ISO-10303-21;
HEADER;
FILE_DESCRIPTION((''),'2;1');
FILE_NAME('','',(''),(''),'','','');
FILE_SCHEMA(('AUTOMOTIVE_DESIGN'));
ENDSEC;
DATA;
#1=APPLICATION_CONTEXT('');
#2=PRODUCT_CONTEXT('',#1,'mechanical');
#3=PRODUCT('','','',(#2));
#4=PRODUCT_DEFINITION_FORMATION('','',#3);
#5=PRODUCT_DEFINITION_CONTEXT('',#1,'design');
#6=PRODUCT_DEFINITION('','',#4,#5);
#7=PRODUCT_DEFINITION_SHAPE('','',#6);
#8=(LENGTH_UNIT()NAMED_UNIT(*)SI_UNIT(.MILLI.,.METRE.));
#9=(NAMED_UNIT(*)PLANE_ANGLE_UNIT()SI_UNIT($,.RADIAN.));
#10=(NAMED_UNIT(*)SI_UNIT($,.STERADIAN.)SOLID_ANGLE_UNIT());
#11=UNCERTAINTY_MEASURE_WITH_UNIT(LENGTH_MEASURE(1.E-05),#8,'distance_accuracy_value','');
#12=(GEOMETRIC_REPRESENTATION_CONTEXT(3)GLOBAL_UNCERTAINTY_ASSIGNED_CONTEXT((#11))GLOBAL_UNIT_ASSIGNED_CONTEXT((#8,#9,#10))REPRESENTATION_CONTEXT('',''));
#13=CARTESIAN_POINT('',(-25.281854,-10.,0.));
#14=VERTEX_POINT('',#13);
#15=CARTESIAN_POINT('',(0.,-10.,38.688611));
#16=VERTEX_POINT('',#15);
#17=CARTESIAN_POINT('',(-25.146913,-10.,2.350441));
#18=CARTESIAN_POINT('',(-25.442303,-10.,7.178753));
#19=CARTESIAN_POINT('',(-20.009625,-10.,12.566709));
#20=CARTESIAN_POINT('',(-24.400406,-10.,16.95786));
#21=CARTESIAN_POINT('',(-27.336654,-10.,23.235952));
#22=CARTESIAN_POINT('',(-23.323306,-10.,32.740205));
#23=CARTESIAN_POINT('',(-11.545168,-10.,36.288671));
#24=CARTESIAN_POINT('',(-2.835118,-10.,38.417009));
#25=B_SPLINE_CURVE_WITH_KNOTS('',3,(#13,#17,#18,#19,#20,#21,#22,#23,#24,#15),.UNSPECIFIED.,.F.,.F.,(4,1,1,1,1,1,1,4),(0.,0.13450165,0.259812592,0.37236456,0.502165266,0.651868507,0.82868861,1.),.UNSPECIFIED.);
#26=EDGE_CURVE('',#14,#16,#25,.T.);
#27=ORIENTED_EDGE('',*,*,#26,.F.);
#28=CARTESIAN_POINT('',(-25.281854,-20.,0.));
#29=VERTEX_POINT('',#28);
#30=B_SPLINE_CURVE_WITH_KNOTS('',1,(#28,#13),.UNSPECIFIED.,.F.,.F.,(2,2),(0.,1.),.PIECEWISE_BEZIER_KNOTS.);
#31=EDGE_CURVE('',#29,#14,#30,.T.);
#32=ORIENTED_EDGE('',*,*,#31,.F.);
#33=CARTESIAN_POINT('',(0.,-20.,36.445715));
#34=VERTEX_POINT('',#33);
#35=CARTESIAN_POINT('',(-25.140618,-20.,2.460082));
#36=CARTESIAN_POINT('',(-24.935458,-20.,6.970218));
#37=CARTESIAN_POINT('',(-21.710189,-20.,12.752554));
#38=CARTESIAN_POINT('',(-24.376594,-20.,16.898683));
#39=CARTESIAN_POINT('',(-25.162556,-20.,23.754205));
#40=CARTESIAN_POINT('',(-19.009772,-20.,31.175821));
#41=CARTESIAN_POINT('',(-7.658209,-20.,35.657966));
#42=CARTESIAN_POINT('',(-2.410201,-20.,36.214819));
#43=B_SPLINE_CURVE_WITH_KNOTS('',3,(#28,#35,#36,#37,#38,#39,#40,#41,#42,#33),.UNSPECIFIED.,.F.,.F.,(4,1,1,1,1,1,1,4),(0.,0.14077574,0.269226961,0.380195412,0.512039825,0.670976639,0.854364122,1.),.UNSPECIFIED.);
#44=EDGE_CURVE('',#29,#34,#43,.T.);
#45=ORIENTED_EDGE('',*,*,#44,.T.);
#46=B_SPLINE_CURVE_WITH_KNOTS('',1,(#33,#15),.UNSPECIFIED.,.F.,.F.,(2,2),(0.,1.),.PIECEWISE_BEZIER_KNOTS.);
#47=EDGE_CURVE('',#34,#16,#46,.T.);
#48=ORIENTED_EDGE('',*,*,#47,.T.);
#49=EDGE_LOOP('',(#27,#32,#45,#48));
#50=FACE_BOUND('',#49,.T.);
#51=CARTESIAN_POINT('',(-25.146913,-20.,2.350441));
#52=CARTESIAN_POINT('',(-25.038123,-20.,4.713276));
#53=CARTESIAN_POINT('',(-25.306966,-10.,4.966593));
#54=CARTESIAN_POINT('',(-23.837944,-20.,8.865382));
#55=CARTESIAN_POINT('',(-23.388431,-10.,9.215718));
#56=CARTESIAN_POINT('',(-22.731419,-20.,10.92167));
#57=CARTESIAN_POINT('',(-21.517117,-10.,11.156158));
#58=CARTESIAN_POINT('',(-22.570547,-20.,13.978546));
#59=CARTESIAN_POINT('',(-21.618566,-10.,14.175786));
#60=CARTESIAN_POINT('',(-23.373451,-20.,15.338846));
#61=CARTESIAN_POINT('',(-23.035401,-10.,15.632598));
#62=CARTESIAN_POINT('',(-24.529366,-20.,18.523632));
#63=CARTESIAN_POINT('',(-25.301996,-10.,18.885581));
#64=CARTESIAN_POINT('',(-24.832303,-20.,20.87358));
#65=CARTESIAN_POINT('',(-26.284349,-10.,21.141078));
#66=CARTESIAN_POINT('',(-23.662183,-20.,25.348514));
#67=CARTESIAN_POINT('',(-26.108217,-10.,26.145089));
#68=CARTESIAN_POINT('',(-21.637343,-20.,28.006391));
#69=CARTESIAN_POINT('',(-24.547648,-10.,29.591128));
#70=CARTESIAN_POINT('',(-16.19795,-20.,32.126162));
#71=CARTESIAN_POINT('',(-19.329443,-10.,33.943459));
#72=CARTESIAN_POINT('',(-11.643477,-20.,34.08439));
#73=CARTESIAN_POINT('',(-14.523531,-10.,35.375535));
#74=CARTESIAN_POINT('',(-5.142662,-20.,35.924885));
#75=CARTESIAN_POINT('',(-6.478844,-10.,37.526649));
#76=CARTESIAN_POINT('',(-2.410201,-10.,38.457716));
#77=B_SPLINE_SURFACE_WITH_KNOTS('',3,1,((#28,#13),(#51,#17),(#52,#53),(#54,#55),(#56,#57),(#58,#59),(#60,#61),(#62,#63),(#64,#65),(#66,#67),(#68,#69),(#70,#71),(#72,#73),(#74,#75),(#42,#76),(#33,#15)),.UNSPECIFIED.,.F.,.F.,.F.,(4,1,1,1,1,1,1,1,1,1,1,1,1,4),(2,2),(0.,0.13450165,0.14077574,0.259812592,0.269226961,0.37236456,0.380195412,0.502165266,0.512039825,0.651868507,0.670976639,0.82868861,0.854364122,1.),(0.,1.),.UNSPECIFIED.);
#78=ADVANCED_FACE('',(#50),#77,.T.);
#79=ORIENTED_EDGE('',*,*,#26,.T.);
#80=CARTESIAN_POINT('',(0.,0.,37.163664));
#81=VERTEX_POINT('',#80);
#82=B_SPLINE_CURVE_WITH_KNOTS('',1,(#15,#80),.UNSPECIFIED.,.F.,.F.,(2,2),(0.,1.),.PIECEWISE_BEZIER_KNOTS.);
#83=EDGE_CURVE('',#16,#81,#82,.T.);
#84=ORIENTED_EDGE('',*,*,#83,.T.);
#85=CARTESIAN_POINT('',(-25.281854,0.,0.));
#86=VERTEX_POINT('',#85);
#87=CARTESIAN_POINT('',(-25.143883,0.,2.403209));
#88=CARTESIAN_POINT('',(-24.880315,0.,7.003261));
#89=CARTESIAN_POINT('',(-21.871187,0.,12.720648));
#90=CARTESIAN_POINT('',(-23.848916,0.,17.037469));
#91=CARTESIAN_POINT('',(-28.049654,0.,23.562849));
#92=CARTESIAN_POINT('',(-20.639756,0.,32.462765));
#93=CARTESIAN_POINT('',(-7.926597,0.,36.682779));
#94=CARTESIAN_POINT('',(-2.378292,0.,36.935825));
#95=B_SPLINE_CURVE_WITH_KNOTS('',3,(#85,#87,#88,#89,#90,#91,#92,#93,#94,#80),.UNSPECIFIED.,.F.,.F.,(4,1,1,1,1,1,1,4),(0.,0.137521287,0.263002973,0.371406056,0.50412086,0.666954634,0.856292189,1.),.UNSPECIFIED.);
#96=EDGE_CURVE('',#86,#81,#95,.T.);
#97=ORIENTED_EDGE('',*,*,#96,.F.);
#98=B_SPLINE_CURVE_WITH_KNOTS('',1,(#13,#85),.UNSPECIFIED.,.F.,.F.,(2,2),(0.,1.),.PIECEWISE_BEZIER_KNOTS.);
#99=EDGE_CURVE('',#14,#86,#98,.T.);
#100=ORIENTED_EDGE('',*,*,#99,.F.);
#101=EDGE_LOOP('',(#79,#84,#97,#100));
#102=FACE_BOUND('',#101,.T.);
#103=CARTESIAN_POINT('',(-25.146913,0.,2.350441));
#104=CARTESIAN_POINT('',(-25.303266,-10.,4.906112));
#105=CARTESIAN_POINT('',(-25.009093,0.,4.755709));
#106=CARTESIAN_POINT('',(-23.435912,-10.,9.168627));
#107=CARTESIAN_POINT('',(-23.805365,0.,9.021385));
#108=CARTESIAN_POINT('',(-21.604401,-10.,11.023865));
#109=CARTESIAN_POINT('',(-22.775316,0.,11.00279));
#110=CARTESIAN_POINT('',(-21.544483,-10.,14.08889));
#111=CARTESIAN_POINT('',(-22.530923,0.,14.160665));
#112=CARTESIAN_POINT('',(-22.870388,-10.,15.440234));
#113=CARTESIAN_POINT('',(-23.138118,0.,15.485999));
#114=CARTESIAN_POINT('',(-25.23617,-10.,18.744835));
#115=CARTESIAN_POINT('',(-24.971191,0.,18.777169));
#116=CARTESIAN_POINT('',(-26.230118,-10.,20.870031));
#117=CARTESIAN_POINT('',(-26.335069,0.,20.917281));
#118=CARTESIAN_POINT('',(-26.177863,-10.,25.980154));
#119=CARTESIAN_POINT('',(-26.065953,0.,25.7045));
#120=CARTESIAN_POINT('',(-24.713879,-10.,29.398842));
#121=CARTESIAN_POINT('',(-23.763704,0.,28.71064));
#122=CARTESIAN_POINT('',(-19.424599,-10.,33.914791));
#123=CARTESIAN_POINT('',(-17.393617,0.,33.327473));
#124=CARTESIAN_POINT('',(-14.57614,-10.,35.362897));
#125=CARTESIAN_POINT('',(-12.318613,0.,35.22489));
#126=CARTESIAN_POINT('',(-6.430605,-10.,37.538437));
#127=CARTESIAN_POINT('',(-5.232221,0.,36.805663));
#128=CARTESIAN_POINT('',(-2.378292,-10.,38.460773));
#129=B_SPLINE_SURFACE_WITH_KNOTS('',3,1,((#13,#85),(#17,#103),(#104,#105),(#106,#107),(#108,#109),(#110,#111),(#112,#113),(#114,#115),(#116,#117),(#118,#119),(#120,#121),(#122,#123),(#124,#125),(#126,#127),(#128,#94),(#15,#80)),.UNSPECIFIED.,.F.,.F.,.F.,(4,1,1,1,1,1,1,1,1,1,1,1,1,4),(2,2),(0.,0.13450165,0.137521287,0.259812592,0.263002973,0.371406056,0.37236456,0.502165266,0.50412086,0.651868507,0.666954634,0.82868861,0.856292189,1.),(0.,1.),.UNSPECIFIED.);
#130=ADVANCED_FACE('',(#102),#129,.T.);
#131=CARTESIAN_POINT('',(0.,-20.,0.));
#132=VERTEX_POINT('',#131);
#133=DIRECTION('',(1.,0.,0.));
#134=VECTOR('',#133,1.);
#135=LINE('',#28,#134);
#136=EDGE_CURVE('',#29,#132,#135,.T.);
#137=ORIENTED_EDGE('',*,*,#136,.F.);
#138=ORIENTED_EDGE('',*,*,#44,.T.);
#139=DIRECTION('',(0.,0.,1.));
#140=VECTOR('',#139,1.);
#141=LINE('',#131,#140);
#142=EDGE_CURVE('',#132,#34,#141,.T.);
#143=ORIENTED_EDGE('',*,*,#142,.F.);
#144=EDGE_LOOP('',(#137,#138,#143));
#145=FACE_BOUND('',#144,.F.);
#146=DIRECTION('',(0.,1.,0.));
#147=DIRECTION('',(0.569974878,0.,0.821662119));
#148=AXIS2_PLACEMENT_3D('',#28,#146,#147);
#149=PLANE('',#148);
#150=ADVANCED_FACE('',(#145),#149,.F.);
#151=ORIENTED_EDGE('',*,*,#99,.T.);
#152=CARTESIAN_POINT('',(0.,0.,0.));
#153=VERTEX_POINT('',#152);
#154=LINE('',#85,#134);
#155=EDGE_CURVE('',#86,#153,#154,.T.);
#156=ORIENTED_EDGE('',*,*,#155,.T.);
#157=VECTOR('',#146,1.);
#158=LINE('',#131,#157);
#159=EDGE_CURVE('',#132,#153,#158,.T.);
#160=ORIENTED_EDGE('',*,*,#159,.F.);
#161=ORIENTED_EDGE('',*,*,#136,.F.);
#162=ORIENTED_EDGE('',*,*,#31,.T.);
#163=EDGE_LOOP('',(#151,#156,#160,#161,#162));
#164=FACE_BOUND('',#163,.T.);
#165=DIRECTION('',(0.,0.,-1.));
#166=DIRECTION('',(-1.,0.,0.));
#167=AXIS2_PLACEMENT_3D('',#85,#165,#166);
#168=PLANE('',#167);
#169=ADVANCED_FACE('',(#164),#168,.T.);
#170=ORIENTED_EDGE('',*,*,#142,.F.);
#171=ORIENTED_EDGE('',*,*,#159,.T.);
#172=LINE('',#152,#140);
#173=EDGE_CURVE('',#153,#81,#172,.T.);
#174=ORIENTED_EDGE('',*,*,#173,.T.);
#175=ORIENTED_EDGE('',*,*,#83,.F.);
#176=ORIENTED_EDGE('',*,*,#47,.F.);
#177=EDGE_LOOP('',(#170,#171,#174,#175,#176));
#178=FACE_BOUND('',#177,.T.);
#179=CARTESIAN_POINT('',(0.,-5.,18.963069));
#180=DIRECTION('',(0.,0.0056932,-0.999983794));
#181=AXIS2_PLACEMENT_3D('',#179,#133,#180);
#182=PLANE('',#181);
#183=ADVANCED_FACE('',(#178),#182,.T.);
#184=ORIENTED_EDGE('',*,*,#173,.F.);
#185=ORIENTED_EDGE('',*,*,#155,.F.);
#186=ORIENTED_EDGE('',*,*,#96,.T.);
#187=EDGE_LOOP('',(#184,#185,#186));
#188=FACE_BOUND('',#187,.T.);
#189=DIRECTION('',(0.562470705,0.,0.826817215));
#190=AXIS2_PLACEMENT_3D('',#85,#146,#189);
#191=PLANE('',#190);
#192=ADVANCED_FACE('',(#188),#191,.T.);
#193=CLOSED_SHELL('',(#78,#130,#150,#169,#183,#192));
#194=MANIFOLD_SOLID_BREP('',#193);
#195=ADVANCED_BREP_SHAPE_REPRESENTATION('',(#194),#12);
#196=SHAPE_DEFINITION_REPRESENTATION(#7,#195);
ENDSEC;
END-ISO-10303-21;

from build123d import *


with BuildPart() as f5:
    # F2 (on offset) → F5 section 0
    with BuildSketch(Plane.XZ.offset(20)):
        with BuildLine():
            add(Edge.make_bspline(
                [(-25.2818539739, 0), (-25.1406181794, 2.4600815255), (-24.9354582402, 6.9702181833), (-21.7101885687, 12.7525544185), (-24.3765940763, 16.8986828652), (-25.1625563988, 23.7542045271), (-19.0097721002, 31.1758214073), (-7.6582088117, 35.6579662942), (-2.4102008701, 36.2148191113), (0, 36.4457145333)],
                knots=[0, 0, 0, 0, 0.1407757405, 0.2692269608, 0.3801954122, 0.5120398246, 0.6709766394, 0.8543641223, 1, 1, 1, 1], degree=3))
            Line((-25.2818539739, 0), (0, 0))
            Line((0, 0), (0, 36.4457145333))
        make_face()
    # F3 (on offset) → F5 section 1
    with BuildSketch(Plane.XZ.offset(10)):
        with BuildLine():
            add(Edge.make_bspline(
                [(-25.2818539739, 0), (-25.1469127733, 2.3504406637), (-25.4423033881, 7.1787529376), (-20.0096245128, 12.5667089075), (-24.4004062023, 16.9578604371), (-27.336653566, 23.235951711), (-23.3233061395, 32.7402054418), (-11.5451684252, 36.2886713642), (-2.8351177494, 38.4170091012), (0, 38.6886112392)],
                knots=[0, 0, 0, 0, 0.1345016502, 0.2598125915, 0.37236456, 0.5021652659, 0.6518685072, 0.8286886098, 1, 1, 1, 1], degree=3))
            Line((-25.2818539739, 0), (0, 0))
            Line((0, 0), (0, 38.6886112392))
        make_face()
    loft()

    # F3 (on offset) → F6 section 0
    with BuildSketch(Plane.XZ.offset(10)):
        with BuildLine():
            add(Edge.make_bspline(
                [(-25.2818539739, 0), (-25.1469127733, 2.3504406637), (-25.4423033881, 7.1787529376), (-20.0096245128, 12.5667089075), (-24.4004062023, 16.9578604371), (-27.336653566, 23.235951711), (-23.3233061395, 32.7402054418), (-11.5451684252, 36.2886713642), (-2.8351177494, 38.4170091012), (0, 38.6886112392)],
                knots=[0, 0, 0, 0, 0.1345016502, 0.2598125915, 0.37236456, 0.5021652659, 0.6518685072, 0.8286886098, 1, 1, 1, 1], degree=3))
            Line((-25.2818539739, 0), (0, 0))
            Line((0, 0), (0, 38.6886112392))
        make_face()
    # F4 (on Front) → F6 section 1
    with BuildSketch(Plane.XZ):
        with BuildLine():
            add(Edge.make_bspline(
                [(-25.2818539739, 0), (-25.1438832679, 2.4032093697), (-24.880315206, 7.0032606596), (-21.8711865203, 12.7206484273), (-23.8489163046, 17.0374687027), (-28.049654453, 23.5628487623), (-20.6397564007, 32.4627651506), (-7.9265974812, 36.6827787756), (-2.3782923361, 36.9358250469), (0, 37.1636636555)],
                knots=[0, 0, 0, 0, 0.1375212874, 0.2630029729, 0.371406056, 0.5041208602, 0.6669546339, 0.8562921887, 1, 1, 1, 1], degree=3))
            Line((-25.2818539739, 0), (0, 0))
            Line((0, 0), (0, 37.1636636555))
        make_face()
    loft()


solid = f5.part
